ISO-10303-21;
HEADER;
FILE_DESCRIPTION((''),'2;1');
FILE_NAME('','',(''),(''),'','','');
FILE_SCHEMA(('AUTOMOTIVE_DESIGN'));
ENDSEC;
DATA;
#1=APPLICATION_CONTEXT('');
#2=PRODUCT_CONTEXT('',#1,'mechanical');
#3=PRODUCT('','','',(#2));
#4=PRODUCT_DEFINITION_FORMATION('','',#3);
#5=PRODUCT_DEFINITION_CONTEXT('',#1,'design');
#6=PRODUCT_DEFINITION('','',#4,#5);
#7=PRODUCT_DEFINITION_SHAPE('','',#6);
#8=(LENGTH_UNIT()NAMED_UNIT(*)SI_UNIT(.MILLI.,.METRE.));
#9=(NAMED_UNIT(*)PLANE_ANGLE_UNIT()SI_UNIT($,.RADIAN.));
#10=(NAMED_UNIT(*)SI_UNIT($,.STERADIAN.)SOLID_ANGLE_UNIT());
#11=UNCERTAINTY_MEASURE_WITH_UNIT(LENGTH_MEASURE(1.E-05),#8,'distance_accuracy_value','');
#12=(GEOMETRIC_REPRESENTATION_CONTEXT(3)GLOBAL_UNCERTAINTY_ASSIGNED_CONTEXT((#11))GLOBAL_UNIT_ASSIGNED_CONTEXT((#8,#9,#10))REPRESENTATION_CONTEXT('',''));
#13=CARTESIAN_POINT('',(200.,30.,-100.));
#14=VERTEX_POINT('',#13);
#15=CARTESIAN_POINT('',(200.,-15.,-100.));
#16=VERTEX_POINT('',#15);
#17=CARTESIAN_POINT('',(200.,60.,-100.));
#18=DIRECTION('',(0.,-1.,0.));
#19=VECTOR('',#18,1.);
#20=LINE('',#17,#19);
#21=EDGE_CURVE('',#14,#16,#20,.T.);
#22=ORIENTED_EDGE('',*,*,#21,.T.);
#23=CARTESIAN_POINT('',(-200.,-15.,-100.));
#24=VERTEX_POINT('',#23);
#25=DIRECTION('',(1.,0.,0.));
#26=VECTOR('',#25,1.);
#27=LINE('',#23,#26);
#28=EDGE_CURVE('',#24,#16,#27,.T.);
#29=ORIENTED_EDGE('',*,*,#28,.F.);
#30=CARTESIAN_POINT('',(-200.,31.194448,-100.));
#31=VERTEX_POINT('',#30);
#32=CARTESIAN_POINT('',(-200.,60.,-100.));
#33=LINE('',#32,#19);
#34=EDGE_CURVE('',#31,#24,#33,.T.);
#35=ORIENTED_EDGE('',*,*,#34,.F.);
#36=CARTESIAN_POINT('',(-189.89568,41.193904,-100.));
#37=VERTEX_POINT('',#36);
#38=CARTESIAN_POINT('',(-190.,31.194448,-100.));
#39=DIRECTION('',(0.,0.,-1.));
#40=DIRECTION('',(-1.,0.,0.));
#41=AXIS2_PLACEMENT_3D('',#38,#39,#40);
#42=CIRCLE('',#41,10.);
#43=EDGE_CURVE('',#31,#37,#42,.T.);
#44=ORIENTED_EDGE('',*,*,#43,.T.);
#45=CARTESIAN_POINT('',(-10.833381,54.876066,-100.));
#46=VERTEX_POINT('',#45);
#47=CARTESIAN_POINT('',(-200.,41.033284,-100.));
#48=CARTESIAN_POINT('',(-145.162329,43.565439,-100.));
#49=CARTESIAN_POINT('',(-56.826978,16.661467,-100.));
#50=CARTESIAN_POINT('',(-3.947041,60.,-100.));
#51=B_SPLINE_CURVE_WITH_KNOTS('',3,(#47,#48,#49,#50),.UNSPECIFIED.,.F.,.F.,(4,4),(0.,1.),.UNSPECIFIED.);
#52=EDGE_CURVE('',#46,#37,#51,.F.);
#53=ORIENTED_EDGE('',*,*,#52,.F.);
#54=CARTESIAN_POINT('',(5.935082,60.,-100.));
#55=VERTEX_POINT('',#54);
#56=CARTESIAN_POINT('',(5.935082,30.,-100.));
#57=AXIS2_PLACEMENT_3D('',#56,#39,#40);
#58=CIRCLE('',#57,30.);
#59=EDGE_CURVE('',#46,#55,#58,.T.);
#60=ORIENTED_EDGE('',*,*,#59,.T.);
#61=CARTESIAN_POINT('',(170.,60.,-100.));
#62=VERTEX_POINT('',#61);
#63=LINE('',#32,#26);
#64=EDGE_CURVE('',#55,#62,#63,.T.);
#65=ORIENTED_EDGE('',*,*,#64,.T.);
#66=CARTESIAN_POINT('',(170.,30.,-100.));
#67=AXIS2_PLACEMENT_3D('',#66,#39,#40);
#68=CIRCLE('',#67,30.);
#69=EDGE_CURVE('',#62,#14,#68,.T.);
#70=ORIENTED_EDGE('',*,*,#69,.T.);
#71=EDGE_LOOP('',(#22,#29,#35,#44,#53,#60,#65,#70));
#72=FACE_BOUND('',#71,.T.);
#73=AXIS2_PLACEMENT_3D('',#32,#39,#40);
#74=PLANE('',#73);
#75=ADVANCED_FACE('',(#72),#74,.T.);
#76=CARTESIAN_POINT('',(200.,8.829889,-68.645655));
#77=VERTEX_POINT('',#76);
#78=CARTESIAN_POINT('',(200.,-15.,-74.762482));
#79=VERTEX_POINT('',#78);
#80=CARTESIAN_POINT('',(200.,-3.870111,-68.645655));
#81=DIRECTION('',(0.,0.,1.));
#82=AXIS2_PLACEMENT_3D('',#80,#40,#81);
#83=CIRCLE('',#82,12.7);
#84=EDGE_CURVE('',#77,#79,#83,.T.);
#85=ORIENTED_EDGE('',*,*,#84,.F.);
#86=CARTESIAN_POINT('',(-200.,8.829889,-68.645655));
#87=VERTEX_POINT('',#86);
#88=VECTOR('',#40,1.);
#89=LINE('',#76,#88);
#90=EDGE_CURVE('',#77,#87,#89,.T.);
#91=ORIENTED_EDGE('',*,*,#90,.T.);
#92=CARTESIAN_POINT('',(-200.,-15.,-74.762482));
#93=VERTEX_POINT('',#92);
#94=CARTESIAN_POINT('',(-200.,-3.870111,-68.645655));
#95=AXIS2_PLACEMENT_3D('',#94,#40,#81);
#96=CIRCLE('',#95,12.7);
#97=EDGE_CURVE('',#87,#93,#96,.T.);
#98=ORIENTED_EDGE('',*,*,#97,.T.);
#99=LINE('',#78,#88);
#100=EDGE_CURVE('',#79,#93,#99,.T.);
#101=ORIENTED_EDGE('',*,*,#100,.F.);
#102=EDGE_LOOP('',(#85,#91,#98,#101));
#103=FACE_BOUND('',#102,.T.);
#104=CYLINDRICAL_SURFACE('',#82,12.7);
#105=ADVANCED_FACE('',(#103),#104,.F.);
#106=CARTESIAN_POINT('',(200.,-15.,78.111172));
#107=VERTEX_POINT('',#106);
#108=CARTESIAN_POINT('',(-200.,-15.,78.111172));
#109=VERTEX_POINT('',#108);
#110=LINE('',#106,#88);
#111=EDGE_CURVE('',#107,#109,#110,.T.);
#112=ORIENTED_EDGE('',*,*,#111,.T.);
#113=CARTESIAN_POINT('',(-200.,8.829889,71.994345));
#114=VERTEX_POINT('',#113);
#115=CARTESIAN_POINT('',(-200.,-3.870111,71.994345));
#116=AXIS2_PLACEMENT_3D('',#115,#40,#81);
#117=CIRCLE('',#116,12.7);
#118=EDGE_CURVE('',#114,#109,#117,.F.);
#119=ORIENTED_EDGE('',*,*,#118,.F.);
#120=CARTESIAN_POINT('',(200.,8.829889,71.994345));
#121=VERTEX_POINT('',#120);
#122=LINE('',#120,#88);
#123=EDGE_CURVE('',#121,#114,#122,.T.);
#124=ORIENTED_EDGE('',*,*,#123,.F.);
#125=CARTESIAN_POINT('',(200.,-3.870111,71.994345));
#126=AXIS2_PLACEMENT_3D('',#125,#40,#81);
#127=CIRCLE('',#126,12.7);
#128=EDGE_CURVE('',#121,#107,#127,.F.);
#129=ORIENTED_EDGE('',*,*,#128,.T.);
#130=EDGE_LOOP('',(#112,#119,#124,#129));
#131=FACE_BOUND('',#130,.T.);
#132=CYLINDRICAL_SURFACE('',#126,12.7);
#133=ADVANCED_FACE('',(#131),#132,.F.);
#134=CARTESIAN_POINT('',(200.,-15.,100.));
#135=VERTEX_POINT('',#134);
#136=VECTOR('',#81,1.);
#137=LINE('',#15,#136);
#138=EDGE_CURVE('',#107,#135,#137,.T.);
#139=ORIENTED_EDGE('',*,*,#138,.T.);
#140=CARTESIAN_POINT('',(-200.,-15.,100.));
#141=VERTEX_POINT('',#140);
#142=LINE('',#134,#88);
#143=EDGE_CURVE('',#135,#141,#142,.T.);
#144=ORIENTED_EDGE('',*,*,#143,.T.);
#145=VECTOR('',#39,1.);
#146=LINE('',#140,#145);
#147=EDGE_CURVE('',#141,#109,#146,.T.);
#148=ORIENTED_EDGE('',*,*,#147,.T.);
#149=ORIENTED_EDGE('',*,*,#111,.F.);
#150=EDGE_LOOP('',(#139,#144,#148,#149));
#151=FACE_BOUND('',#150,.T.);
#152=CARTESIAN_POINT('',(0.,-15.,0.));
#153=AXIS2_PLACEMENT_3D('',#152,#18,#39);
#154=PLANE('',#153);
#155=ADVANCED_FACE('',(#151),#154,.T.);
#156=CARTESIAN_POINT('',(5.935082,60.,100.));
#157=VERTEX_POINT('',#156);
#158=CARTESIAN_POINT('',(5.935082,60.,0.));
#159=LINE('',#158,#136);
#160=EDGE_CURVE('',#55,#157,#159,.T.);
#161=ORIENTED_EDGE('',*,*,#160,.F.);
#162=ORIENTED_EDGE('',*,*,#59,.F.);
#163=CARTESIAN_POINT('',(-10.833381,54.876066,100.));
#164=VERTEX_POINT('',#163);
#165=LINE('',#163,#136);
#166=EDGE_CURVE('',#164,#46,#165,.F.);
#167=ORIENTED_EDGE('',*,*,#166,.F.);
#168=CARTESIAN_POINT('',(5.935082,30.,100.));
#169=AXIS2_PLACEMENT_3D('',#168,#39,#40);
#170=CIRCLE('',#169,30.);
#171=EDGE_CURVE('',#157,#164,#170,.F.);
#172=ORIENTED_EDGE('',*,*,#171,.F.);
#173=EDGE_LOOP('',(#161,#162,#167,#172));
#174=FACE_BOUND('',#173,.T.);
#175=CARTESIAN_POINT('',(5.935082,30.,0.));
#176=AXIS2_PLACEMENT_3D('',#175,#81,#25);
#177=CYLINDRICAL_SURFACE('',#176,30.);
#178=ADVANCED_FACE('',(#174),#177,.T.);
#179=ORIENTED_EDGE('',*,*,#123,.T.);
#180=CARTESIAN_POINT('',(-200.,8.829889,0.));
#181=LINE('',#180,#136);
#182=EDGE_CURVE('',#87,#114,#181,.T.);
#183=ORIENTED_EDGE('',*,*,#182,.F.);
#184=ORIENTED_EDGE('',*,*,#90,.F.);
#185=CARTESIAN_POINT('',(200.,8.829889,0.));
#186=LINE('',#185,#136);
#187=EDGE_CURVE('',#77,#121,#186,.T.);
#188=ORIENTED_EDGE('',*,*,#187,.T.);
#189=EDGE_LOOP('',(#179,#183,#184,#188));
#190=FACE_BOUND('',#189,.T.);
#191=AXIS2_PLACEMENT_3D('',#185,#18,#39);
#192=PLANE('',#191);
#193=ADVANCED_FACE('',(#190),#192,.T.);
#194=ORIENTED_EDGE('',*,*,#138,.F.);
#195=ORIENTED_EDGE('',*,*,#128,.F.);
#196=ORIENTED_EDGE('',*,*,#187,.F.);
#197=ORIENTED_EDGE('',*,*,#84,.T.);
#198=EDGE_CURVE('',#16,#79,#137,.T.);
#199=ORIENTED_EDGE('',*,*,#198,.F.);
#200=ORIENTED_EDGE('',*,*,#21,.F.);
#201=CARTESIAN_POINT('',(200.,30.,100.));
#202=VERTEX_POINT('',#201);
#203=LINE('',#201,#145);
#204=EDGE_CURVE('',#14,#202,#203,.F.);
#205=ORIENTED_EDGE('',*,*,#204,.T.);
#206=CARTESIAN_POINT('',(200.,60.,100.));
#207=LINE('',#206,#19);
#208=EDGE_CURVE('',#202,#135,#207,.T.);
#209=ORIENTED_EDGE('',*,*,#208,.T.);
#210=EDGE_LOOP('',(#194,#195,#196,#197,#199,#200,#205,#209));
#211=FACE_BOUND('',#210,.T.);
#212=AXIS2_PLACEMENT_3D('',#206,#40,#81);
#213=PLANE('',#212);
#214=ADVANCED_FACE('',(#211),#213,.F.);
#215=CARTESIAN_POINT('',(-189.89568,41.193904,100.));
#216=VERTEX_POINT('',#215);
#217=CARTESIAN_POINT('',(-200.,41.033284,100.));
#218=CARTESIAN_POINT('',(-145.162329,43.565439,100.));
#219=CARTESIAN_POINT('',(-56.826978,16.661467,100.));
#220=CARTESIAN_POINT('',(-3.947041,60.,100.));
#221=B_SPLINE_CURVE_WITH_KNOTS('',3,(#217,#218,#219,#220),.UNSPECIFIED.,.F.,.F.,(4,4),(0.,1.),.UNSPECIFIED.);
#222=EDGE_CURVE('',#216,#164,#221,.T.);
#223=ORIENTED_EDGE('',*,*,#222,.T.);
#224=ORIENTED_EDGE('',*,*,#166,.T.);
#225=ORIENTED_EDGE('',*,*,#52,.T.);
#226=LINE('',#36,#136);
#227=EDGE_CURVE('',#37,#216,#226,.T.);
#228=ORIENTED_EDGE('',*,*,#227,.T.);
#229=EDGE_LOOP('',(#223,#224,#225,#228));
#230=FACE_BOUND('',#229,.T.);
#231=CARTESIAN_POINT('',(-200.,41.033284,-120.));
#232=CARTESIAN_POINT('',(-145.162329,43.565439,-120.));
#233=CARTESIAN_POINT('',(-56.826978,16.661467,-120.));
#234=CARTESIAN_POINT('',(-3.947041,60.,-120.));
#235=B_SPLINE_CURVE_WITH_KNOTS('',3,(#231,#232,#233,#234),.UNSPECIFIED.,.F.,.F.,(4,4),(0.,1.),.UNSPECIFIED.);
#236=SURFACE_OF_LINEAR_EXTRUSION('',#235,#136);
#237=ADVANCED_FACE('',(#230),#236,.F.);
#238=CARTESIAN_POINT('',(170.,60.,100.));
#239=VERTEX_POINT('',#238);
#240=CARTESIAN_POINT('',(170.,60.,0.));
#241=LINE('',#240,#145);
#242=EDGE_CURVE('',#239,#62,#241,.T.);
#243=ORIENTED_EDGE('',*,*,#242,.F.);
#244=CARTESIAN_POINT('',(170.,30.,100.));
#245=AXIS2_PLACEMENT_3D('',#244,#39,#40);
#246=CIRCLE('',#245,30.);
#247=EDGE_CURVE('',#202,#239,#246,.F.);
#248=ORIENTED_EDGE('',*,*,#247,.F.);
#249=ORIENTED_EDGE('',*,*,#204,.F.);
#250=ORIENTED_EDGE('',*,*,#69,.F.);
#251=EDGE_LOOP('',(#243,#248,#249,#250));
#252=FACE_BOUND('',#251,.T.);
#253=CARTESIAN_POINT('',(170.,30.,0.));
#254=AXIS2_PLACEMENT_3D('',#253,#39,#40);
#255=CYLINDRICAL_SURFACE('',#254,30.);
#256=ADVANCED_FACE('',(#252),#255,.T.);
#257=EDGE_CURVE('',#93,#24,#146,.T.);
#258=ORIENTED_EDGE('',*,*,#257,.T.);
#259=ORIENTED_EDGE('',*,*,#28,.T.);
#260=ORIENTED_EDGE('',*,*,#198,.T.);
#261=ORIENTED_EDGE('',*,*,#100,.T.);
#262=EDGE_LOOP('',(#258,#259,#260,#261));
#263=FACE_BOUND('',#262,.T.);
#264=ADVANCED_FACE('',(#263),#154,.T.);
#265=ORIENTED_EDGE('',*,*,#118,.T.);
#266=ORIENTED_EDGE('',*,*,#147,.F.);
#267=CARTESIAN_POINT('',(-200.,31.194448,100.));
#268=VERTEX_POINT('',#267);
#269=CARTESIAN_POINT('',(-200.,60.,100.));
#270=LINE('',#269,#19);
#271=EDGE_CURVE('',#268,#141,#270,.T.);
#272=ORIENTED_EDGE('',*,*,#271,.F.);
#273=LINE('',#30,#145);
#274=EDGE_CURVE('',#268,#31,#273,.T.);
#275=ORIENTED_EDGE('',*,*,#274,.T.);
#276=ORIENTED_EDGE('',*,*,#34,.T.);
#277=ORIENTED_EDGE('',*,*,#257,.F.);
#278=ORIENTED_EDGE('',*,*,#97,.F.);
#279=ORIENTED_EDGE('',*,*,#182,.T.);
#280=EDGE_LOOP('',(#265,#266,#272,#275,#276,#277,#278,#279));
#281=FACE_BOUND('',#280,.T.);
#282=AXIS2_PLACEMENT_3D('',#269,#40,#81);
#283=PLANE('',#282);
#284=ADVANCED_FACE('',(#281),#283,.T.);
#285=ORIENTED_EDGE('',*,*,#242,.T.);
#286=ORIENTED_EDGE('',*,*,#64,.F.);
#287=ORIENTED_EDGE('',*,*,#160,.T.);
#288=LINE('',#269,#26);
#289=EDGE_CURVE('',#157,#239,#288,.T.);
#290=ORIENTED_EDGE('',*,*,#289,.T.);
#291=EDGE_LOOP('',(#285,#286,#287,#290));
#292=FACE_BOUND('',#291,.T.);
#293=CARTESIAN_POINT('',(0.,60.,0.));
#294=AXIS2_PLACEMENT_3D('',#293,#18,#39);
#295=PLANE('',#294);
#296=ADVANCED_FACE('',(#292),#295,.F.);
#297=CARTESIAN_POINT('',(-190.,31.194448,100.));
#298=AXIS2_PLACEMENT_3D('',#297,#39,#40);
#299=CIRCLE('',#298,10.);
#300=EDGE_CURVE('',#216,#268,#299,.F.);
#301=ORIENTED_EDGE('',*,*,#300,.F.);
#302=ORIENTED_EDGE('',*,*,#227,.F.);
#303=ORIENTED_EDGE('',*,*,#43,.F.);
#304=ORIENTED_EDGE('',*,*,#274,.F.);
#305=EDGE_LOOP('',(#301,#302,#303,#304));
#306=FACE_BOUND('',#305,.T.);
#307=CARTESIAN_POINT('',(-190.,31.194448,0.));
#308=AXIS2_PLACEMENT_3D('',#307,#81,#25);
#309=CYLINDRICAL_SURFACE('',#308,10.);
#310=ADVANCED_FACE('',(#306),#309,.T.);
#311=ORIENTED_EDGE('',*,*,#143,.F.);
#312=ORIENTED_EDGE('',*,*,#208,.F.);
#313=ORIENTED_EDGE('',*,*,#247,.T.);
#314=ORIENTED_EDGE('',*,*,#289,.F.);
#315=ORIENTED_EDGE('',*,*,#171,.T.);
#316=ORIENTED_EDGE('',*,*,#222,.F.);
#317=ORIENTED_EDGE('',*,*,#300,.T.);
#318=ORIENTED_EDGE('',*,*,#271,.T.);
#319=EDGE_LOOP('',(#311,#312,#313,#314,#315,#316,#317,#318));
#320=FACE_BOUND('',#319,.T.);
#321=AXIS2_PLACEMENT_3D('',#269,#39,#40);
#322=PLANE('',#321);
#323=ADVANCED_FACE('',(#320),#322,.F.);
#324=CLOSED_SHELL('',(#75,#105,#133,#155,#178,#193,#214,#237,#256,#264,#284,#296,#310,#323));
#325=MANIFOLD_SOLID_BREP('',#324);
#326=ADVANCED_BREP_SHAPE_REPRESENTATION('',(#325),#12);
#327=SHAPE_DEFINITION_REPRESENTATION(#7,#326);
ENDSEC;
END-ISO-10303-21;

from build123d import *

# Parameters (mm, degrees)
SKETCH1_W           = 400
SKETCH1_H           = 200
BOSS_EXTRUDE1_DEPTH = 60
CUT_EXTRUDE1_DEPTH  = 220
FILLET1_R           = 30
FILLET2_R           = 10
SKETCH9_W           = 400
SKETCH9_H           = 200
BOSS_EXTRUDE4_DEPTH = 15
CUT_EXTRUDE9_DEPTH  = 417.653333254


with BuildPart() as part:
    # Sketch1 → Boss-Extrude1 (new body)
    with BuildSketch(Plane(origin=(0, 0, 0), x_dir=(1, 0, 0), z_dir=(0, 1, 0))):
        Rectangle(SKETCH1_W, SKETCH1_H)
    extrude(amount=BOSS_EXTRUDE1_DEPTH)

    # Sketch3 → Cut-Extrude1 (cut)
    with BuildSketch(Plane.XY.offset(100)):
        with BuildLine():
            Line((-200, 41.033284164), (-200, 60))
            Line((-200, 60), (-3.947040737, 60))
            add(Edge.make_bspline(
                [(-200, 41.033284164), (-145.162329498, 43.56543882), (-56.826978114, 16.661467413), (-3.947040737, 60)],
                knots=[0, 0, 0, 0, 1, 1, 1, 1], degree=3))
        make_face()
    extrude(amount=-CUT_EXTRUDE1_DEPTH, mode=Mode.SUBTRACT)

    # Fillet1
    fillet1_edges = [part.edges().sort_by_distance(p)[0] for p in [
        (-3.947040737, 60, 0),
        (200, 60, 0),
    ]]
    fillet(fillet1_edges, radius=FILLET1_R)

    # Fillet2
    fillet2_edges = [part.edges().sort_by_distance(p)[0] for p in [
        (-200, 41.033284164, 0),
    ]]
    fillet(fillet2_edges, radius=FILLET2_R)

    # Sketch9 → Boss-Extrude4 (add)
    with BuildSketch(Plane.XZ):
        Rectangle(SKETCH9_W, SKETCH9_H)
    extrude(amount=BOSS_EXTRUDE4_DEPTH)

    # Sketch10 → Cut-Extrude9 (cut, through all)
    with BuildSketch(Plane.ZY.offset(200)):
        with BuildLine():
            Line((-74.762482239, -15), (1.674345002, -15))
            Line((1.674345002, -15), (1.674345002, 8.829888791))
            Line((1.674345002, 8.829888791), (-68.645654998, 8.829888791))
            ThreePointArc((-68.645654998, 8.829888791), (-80.94686607, -0.71254788), (-74.762482239, -15))
        make_face()
        with BuildLine():
            Line((1.674345002, 8.829888791), (1.674345002, -15))
            Line((1.674345002, -15), (78.111172243, -15))
            ThreePointArc((78.111172243, -15), (84.295556073, -0.71254788), (71.994345002, 8.829888791))
            Line((71.994345002, 8.829888791), (1.674345002, 8.829888791))
        make_face()
    extrude(amount=-CUT_EXTRUDE9_DEPTH, mode=Mode.SUBTRACT)


solid = part.part
